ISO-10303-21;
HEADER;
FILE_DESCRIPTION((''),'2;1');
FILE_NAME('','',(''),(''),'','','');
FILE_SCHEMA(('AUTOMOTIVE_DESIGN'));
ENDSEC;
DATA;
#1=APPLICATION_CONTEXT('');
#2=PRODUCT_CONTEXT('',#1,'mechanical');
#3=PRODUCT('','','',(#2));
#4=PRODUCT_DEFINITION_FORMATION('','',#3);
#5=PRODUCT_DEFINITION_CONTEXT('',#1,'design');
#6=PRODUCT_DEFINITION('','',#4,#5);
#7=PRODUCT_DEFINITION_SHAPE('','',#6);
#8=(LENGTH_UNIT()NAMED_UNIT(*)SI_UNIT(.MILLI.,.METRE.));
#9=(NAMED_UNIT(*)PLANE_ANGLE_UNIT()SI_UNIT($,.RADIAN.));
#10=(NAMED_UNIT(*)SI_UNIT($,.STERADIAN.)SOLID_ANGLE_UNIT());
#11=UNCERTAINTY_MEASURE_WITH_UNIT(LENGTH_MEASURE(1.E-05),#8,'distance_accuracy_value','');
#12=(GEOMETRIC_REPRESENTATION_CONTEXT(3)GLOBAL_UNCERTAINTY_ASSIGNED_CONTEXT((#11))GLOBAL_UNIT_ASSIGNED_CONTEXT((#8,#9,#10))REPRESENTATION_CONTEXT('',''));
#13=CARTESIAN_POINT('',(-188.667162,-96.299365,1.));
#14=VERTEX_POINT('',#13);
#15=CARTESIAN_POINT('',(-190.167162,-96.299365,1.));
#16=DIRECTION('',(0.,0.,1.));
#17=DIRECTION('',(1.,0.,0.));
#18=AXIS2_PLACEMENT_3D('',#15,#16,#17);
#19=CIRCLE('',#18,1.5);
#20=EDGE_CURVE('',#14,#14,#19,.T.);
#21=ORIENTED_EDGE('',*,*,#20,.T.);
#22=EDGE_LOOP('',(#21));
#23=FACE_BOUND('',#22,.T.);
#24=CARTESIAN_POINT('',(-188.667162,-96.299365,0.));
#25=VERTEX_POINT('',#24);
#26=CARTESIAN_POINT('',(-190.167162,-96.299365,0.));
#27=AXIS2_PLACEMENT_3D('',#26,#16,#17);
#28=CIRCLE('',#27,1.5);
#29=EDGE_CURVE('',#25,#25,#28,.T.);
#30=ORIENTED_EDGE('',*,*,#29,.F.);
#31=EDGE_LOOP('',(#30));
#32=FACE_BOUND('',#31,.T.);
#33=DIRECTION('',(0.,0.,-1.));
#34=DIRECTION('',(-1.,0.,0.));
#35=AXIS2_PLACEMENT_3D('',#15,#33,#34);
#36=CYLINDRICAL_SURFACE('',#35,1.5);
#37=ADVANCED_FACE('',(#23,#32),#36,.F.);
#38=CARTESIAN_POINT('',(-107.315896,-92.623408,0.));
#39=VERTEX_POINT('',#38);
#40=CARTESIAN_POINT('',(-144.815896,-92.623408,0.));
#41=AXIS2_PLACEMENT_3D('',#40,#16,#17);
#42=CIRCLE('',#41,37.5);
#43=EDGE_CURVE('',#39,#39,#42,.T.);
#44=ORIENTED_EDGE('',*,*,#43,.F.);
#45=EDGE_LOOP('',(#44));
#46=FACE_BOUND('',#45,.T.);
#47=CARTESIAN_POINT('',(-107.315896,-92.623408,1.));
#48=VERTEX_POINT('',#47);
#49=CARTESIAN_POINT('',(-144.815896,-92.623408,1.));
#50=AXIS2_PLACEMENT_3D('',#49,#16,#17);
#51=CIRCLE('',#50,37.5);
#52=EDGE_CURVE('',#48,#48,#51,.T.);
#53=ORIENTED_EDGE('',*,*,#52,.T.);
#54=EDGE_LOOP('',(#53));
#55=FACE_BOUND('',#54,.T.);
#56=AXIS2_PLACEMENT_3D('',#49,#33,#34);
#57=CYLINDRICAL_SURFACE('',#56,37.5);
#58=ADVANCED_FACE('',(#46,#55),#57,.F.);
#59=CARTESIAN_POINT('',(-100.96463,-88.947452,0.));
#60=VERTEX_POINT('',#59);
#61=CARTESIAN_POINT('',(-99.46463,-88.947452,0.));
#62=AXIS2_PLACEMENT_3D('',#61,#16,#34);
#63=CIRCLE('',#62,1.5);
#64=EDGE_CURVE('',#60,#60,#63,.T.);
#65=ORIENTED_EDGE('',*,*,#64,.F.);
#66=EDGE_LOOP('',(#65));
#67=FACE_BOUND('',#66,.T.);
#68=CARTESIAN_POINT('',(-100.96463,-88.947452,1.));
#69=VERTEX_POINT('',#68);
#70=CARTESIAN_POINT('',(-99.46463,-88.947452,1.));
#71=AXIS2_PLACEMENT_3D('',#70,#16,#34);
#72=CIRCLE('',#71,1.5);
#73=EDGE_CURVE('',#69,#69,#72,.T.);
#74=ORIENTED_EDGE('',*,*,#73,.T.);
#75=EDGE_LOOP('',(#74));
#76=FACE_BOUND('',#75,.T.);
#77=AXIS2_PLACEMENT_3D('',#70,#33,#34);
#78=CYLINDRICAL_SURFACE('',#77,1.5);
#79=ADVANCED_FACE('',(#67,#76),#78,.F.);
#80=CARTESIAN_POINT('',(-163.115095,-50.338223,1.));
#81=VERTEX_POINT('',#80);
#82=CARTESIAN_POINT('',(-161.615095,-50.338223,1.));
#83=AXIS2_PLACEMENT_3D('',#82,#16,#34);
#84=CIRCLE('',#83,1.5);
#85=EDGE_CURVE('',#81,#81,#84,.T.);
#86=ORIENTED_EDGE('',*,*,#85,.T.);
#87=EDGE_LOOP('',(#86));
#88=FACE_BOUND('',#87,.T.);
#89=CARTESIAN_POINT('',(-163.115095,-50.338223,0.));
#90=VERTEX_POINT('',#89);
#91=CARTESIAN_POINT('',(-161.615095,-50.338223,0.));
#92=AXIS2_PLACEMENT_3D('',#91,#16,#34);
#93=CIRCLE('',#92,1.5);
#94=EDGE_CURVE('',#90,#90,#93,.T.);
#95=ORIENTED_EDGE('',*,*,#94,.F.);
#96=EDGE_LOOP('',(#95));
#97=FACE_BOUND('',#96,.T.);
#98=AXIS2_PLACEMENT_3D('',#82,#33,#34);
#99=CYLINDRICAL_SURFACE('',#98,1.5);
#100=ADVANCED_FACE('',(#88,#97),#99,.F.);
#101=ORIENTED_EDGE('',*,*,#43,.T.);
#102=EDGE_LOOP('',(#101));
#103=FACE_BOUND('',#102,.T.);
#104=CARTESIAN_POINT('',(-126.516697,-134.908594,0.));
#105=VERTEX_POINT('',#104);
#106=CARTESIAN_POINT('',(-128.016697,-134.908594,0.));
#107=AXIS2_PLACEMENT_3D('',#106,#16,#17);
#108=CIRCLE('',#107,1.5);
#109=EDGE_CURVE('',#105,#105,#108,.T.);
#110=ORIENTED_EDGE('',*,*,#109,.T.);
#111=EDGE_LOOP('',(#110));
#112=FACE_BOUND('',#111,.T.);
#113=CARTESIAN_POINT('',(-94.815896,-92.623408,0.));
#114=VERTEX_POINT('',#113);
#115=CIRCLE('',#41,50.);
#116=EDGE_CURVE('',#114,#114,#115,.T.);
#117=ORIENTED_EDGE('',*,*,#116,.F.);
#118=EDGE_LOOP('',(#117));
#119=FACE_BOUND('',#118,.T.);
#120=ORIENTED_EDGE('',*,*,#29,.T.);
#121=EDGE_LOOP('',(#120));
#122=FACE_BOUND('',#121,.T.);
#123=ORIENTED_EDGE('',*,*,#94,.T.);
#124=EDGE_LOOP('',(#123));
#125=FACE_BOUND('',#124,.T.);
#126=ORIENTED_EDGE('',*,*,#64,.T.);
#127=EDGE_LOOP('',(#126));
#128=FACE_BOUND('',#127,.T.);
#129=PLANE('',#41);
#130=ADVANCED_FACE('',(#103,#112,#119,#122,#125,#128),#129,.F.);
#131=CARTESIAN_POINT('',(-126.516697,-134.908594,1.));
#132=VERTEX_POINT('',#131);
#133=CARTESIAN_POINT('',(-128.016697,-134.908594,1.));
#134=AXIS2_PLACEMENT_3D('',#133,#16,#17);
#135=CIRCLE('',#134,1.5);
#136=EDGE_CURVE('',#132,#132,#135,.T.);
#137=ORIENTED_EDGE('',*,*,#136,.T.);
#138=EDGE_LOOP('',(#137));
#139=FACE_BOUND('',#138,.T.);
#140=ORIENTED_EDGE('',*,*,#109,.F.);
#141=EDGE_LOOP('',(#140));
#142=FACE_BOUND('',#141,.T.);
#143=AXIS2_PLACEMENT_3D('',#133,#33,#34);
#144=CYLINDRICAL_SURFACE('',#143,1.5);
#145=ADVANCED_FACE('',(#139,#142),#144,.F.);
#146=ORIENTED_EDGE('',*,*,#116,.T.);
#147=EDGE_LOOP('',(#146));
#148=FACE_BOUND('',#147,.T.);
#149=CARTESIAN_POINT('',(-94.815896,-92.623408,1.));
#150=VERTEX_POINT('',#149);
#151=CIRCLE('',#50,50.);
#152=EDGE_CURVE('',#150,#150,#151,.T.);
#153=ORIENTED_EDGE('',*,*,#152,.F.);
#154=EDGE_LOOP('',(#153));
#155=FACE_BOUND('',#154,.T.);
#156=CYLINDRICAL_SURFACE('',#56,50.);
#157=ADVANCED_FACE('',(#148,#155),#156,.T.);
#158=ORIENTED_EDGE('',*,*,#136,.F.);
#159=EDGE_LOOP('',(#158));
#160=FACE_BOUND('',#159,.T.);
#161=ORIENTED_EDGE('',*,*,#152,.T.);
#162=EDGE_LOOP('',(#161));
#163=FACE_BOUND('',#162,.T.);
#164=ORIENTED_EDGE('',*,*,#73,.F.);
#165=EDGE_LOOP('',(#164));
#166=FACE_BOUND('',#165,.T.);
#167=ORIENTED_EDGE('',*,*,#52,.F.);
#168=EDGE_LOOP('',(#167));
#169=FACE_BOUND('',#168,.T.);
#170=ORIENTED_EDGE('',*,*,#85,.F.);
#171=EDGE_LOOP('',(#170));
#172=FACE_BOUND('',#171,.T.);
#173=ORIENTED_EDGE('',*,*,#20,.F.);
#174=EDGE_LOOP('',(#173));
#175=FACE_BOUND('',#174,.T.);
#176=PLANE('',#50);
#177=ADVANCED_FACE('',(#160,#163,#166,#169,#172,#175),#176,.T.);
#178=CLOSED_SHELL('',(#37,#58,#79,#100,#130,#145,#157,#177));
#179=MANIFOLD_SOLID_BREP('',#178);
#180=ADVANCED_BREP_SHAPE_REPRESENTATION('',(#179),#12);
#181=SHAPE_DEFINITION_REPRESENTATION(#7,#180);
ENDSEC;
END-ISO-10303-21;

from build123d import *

# Parameters (mm, degrees)
SKETCH_1_R      = 50
SKETCH_1_R_2    = 37.5
SKETCH_1_R_3    = 1.5
EXTRUDE_1_DEPTH = 1


with BuildPart() as part:
    # 草图1 → 凸台-拉伸1 (new body)
    with BuildSketch(Plane.XY):
        with Locations((-144.815895817, -92.623408185)):
            Circle(SKETCH_1_R)
        with Locations((-144.815895817, -92.623408185)):
            Circle(SKETCH_1_R_2, mode=Mode.SUBTRACT)
        with Locations((-190.167161981, -96.299364834)):
            Circle(SKETCH_1_R_3, mode=Mode.SUBTRACT)
        with Locations((-128.01669653, -134.908593573)):
            Circle(SKETCH_1_R_3, mode=Mode.SUBTRACT)
        with Locations(Location((-99.464629653, -88.947451536, 0), (0, 0, 180))):
            Circle(SKETCH_1_R_3, mode=Mode.SUBTRACT)
        with Locations(Location((-161.615095104, -50.338222797, 0), (0, 0, 180))):
            Circle(SKETCH_1_R_3, mode=Mode.SUBTRACT)
    extrude(amount=EXTRUDE_1_DEPTH)


solid = part.part
